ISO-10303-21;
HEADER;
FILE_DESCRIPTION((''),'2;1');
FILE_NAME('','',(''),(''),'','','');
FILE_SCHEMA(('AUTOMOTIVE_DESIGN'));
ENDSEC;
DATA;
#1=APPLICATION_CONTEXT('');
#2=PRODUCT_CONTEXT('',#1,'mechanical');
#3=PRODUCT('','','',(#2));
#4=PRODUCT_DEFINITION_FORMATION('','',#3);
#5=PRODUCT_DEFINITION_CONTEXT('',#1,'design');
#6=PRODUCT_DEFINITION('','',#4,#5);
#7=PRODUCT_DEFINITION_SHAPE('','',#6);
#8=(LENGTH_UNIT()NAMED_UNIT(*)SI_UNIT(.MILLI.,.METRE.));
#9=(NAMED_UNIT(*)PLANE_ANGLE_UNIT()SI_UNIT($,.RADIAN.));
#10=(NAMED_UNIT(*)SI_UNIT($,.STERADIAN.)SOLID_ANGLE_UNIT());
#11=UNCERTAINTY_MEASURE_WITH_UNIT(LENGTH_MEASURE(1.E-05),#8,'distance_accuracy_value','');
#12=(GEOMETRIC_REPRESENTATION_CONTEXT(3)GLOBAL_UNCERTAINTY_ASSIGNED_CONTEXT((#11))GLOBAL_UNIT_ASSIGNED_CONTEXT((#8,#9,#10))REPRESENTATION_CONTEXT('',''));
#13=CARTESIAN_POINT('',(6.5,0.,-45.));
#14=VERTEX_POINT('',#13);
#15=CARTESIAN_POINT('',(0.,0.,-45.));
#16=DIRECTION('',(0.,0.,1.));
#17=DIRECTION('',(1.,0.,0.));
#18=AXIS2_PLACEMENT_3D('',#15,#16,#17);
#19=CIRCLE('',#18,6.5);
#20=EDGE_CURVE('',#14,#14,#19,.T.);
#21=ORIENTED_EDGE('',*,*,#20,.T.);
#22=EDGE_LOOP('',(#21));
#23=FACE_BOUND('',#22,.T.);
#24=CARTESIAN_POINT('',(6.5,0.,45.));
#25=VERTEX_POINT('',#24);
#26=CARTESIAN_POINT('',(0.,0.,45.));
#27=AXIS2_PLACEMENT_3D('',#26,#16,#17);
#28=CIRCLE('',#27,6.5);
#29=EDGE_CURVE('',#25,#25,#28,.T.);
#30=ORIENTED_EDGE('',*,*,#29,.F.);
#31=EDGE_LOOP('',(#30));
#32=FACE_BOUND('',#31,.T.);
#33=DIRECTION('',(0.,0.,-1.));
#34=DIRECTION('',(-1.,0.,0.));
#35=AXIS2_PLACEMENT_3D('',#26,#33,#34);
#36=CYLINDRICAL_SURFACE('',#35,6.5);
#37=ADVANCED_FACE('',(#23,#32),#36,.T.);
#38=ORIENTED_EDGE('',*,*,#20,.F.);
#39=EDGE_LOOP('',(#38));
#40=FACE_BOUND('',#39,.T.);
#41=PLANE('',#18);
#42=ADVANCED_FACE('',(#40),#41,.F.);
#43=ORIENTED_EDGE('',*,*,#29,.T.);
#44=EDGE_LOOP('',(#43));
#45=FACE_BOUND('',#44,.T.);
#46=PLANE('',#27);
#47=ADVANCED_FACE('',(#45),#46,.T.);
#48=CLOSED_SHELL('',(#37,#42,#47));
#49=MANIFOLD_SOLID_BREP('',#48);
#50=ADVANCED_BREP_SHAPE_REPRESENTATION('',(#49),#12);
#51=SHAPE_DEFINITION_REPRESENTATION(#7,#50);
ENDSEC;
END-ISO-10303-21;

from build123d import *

# Parameters (mm, degrees)
SKETCH1_R           = 6.5
BOSS_EXTRUDE1_DEPTH = 45


with BuildPart() as part:
    # Sketch1 → Boss-Extrude1 (new body, symmetric)
    with BuildSketch(Plane.XY):
        Circle(SKETCH1_R)
    extrude(amount=BOSS_EXTRUDE1_DEPTH, both=True)


solid = part.part
